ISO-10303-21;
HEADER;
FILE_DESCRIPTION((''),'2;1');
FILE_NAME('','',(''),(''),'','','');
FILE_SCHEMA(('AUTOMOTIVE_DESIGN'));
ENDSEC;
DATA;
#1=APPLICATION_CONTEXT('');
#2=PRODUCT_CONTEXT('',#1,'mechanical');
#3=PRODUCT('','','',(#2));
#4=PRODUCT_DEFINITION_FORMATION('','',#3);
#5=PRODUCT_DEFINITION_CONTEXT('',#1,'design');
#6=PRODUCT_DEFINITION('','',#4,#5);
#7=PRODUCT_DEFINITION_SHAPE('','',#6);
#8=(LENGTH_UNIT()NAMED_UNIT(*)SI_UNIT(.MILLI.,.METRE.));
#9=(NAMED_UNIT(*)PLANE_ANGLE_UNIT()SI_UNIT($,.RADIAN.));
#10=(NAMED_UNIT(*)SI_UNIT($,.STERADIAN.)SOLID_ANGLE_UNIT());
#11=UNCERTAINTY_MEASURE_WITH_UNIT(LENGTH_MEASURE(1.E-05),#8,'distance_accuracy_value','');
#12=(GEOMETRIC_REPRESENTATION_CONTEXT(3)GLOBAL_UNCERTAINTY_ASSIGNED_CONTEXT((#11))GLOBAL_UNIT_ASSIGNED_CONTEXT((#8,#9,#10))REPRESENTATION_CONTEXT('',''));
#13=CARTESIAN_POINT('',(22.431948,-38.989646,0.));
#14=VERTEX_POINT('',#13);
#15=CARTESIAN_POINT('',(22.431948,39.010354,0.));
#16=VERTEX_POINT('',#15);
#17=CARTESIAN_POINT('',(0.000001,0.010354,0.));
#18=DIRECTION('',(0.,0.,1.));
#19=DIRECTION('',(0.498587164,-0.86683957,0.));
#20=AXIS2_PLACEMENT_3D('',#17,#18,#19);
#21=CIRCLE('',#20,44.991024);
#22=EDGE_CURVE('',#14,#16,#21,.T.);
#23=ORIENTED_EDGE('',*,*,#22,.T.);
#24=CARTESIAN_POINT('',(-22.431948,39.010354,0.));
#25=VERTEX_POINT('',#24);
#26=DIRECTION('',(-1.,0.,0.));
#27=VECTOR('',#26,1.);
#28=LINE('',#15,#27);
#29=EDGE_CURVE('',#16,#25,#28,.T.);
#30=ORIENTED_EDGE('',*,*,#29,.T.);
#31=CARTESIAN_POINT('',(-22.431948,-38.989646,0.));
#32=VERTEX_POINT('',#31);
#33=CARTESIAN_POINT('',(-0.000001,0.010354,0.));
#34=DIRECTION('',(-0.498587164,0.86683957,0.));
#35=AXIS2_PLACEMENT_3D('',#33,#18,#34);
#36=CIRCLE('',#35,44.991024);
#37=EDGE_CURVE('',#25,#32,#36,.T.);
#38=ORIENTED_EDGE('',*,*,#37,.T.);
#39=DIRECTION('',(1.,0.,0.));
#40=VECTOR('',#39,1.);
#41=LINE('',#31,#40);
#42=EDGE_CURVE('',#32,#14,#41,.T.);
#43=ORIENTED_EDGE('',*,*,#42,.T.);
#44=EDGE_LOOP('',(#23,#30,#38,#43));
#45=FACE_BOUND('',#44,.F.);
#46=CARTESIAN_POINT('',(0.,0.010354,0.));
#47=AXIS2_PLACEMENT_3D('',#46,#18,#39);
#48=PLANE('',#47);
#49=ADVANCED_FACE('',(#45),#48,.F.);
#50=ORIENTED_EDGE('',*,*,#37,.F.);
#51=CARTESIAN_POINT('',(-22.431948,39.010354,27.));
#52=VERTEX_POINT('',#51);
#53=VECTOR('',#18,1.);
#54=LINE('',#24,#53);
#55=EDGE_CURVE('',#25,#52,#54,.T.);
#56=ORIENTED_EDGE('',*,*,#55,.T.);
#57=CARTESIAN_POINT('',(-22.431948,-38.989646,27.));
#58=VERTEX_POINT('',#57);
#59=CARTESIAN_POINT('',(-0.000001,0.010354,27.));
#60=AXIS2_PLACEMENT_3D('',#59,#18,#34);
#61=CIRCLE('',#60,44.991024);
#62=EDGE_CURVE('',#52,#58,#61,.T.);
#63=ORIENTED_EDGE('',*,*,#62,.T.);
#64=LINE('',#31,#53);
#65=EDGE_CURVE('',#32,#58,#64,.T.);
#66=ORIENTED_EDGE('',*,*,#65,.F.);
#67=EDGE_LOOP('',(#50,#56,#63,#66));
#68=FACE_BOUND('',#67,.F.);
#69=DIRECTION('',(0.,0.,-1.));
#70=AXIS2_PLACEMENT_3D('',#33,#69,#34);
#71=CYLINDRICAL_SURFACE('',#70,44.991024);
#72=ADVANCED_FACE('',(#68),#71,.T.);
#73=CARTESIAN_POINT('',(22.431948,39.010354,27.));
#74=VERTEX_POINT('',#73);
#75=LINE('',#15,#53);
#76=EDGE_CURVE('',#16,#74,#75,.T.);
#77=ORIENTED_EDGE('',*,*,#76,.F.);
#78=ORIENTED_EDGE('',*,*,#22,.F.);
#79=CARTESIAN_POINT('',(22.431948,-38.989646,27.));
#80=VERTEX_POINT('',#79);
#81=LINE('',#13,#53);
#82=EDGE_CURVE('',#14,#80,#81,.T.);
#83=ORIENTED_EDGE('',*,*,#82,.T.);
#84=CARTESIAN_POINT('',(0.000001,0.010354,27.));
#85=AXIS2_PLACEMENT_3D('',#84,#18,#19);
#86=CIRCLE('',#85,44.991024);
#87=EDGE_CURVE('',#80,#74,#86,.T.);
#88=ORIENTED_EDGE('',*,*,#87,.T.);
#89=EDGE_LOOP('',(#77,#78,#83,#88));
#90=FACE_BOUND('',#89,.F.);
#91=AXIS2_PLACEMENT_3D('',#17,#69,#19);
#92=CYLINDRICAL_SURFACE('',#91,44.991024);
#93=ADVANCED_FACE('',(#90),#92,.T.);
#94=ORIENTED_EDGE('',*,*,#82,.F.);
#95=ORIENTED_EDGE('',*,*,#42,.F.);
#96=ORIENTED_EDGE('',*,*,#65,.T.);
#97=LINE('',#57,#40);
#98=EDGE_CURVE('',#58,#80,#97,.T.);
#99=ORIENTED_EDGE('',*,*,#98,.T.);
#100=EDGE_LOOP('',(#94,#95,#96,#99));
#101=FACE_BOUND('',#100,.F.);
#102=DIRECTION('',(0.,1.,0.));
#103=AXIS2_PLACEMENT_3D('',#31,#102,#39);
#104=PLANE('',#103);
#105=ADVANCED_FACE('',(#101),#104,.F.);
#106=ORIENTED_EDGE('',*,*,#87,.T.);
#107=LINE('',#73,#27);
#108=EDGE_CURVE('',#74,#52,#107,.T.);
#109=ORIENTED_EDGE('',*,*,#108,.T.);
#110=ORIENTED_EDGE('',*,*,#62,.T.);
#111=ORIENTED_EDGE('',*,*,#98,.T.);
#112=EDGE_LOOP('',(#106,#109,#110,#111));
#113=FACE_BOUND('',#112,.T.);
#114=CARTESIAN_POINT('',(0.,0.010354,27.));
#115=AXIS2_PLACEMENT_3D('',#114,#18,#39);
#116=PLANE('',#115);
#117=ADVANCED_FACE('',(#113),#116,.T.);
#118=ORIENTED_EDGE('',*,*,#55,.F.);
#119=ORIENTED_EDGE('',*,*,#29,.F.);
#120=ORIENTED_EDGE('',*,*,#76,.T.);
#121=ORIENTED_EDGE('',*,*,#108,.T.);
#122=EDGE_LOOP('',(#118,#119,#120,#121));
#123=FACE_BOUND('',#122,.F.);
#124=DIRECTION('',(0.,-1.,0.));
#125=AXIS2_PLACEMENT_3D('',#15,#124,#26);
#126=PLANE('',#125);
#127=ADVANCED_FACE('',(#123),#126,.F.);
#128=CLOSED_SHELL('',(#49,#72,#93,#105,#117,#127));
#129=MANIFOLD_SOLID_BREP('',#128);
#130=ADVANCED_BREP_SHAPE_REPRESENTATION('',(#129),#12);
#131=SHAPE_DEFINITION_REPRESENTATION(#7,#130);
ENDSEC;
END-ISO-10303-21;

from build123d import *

# Parameters (mm, degrees)
PAD_1_DEPTH = 27


with BuildPart() as part:
    # Sketch_1 → Pad_1 (new body)
    with BuildSketch(Plane.XY):
        with BuildLine():
            ThreePointArc((22.431948, -38.989646), (44.991025, 0.010354), (22.431948, 39.010354))
            Line((22.431948, 39.010354), (-22.431948, 39.010354))
            ThreePointArc((-22.431948, 39.010354), (-44.991025, 0.010354), (-22.431948, -38.989646))
            Line((-22.431948, -38.989646), (22.431948, -38.989646))
        make_face()
    extrude(amount=PAD_1_DEPTH)


solid = part.part
